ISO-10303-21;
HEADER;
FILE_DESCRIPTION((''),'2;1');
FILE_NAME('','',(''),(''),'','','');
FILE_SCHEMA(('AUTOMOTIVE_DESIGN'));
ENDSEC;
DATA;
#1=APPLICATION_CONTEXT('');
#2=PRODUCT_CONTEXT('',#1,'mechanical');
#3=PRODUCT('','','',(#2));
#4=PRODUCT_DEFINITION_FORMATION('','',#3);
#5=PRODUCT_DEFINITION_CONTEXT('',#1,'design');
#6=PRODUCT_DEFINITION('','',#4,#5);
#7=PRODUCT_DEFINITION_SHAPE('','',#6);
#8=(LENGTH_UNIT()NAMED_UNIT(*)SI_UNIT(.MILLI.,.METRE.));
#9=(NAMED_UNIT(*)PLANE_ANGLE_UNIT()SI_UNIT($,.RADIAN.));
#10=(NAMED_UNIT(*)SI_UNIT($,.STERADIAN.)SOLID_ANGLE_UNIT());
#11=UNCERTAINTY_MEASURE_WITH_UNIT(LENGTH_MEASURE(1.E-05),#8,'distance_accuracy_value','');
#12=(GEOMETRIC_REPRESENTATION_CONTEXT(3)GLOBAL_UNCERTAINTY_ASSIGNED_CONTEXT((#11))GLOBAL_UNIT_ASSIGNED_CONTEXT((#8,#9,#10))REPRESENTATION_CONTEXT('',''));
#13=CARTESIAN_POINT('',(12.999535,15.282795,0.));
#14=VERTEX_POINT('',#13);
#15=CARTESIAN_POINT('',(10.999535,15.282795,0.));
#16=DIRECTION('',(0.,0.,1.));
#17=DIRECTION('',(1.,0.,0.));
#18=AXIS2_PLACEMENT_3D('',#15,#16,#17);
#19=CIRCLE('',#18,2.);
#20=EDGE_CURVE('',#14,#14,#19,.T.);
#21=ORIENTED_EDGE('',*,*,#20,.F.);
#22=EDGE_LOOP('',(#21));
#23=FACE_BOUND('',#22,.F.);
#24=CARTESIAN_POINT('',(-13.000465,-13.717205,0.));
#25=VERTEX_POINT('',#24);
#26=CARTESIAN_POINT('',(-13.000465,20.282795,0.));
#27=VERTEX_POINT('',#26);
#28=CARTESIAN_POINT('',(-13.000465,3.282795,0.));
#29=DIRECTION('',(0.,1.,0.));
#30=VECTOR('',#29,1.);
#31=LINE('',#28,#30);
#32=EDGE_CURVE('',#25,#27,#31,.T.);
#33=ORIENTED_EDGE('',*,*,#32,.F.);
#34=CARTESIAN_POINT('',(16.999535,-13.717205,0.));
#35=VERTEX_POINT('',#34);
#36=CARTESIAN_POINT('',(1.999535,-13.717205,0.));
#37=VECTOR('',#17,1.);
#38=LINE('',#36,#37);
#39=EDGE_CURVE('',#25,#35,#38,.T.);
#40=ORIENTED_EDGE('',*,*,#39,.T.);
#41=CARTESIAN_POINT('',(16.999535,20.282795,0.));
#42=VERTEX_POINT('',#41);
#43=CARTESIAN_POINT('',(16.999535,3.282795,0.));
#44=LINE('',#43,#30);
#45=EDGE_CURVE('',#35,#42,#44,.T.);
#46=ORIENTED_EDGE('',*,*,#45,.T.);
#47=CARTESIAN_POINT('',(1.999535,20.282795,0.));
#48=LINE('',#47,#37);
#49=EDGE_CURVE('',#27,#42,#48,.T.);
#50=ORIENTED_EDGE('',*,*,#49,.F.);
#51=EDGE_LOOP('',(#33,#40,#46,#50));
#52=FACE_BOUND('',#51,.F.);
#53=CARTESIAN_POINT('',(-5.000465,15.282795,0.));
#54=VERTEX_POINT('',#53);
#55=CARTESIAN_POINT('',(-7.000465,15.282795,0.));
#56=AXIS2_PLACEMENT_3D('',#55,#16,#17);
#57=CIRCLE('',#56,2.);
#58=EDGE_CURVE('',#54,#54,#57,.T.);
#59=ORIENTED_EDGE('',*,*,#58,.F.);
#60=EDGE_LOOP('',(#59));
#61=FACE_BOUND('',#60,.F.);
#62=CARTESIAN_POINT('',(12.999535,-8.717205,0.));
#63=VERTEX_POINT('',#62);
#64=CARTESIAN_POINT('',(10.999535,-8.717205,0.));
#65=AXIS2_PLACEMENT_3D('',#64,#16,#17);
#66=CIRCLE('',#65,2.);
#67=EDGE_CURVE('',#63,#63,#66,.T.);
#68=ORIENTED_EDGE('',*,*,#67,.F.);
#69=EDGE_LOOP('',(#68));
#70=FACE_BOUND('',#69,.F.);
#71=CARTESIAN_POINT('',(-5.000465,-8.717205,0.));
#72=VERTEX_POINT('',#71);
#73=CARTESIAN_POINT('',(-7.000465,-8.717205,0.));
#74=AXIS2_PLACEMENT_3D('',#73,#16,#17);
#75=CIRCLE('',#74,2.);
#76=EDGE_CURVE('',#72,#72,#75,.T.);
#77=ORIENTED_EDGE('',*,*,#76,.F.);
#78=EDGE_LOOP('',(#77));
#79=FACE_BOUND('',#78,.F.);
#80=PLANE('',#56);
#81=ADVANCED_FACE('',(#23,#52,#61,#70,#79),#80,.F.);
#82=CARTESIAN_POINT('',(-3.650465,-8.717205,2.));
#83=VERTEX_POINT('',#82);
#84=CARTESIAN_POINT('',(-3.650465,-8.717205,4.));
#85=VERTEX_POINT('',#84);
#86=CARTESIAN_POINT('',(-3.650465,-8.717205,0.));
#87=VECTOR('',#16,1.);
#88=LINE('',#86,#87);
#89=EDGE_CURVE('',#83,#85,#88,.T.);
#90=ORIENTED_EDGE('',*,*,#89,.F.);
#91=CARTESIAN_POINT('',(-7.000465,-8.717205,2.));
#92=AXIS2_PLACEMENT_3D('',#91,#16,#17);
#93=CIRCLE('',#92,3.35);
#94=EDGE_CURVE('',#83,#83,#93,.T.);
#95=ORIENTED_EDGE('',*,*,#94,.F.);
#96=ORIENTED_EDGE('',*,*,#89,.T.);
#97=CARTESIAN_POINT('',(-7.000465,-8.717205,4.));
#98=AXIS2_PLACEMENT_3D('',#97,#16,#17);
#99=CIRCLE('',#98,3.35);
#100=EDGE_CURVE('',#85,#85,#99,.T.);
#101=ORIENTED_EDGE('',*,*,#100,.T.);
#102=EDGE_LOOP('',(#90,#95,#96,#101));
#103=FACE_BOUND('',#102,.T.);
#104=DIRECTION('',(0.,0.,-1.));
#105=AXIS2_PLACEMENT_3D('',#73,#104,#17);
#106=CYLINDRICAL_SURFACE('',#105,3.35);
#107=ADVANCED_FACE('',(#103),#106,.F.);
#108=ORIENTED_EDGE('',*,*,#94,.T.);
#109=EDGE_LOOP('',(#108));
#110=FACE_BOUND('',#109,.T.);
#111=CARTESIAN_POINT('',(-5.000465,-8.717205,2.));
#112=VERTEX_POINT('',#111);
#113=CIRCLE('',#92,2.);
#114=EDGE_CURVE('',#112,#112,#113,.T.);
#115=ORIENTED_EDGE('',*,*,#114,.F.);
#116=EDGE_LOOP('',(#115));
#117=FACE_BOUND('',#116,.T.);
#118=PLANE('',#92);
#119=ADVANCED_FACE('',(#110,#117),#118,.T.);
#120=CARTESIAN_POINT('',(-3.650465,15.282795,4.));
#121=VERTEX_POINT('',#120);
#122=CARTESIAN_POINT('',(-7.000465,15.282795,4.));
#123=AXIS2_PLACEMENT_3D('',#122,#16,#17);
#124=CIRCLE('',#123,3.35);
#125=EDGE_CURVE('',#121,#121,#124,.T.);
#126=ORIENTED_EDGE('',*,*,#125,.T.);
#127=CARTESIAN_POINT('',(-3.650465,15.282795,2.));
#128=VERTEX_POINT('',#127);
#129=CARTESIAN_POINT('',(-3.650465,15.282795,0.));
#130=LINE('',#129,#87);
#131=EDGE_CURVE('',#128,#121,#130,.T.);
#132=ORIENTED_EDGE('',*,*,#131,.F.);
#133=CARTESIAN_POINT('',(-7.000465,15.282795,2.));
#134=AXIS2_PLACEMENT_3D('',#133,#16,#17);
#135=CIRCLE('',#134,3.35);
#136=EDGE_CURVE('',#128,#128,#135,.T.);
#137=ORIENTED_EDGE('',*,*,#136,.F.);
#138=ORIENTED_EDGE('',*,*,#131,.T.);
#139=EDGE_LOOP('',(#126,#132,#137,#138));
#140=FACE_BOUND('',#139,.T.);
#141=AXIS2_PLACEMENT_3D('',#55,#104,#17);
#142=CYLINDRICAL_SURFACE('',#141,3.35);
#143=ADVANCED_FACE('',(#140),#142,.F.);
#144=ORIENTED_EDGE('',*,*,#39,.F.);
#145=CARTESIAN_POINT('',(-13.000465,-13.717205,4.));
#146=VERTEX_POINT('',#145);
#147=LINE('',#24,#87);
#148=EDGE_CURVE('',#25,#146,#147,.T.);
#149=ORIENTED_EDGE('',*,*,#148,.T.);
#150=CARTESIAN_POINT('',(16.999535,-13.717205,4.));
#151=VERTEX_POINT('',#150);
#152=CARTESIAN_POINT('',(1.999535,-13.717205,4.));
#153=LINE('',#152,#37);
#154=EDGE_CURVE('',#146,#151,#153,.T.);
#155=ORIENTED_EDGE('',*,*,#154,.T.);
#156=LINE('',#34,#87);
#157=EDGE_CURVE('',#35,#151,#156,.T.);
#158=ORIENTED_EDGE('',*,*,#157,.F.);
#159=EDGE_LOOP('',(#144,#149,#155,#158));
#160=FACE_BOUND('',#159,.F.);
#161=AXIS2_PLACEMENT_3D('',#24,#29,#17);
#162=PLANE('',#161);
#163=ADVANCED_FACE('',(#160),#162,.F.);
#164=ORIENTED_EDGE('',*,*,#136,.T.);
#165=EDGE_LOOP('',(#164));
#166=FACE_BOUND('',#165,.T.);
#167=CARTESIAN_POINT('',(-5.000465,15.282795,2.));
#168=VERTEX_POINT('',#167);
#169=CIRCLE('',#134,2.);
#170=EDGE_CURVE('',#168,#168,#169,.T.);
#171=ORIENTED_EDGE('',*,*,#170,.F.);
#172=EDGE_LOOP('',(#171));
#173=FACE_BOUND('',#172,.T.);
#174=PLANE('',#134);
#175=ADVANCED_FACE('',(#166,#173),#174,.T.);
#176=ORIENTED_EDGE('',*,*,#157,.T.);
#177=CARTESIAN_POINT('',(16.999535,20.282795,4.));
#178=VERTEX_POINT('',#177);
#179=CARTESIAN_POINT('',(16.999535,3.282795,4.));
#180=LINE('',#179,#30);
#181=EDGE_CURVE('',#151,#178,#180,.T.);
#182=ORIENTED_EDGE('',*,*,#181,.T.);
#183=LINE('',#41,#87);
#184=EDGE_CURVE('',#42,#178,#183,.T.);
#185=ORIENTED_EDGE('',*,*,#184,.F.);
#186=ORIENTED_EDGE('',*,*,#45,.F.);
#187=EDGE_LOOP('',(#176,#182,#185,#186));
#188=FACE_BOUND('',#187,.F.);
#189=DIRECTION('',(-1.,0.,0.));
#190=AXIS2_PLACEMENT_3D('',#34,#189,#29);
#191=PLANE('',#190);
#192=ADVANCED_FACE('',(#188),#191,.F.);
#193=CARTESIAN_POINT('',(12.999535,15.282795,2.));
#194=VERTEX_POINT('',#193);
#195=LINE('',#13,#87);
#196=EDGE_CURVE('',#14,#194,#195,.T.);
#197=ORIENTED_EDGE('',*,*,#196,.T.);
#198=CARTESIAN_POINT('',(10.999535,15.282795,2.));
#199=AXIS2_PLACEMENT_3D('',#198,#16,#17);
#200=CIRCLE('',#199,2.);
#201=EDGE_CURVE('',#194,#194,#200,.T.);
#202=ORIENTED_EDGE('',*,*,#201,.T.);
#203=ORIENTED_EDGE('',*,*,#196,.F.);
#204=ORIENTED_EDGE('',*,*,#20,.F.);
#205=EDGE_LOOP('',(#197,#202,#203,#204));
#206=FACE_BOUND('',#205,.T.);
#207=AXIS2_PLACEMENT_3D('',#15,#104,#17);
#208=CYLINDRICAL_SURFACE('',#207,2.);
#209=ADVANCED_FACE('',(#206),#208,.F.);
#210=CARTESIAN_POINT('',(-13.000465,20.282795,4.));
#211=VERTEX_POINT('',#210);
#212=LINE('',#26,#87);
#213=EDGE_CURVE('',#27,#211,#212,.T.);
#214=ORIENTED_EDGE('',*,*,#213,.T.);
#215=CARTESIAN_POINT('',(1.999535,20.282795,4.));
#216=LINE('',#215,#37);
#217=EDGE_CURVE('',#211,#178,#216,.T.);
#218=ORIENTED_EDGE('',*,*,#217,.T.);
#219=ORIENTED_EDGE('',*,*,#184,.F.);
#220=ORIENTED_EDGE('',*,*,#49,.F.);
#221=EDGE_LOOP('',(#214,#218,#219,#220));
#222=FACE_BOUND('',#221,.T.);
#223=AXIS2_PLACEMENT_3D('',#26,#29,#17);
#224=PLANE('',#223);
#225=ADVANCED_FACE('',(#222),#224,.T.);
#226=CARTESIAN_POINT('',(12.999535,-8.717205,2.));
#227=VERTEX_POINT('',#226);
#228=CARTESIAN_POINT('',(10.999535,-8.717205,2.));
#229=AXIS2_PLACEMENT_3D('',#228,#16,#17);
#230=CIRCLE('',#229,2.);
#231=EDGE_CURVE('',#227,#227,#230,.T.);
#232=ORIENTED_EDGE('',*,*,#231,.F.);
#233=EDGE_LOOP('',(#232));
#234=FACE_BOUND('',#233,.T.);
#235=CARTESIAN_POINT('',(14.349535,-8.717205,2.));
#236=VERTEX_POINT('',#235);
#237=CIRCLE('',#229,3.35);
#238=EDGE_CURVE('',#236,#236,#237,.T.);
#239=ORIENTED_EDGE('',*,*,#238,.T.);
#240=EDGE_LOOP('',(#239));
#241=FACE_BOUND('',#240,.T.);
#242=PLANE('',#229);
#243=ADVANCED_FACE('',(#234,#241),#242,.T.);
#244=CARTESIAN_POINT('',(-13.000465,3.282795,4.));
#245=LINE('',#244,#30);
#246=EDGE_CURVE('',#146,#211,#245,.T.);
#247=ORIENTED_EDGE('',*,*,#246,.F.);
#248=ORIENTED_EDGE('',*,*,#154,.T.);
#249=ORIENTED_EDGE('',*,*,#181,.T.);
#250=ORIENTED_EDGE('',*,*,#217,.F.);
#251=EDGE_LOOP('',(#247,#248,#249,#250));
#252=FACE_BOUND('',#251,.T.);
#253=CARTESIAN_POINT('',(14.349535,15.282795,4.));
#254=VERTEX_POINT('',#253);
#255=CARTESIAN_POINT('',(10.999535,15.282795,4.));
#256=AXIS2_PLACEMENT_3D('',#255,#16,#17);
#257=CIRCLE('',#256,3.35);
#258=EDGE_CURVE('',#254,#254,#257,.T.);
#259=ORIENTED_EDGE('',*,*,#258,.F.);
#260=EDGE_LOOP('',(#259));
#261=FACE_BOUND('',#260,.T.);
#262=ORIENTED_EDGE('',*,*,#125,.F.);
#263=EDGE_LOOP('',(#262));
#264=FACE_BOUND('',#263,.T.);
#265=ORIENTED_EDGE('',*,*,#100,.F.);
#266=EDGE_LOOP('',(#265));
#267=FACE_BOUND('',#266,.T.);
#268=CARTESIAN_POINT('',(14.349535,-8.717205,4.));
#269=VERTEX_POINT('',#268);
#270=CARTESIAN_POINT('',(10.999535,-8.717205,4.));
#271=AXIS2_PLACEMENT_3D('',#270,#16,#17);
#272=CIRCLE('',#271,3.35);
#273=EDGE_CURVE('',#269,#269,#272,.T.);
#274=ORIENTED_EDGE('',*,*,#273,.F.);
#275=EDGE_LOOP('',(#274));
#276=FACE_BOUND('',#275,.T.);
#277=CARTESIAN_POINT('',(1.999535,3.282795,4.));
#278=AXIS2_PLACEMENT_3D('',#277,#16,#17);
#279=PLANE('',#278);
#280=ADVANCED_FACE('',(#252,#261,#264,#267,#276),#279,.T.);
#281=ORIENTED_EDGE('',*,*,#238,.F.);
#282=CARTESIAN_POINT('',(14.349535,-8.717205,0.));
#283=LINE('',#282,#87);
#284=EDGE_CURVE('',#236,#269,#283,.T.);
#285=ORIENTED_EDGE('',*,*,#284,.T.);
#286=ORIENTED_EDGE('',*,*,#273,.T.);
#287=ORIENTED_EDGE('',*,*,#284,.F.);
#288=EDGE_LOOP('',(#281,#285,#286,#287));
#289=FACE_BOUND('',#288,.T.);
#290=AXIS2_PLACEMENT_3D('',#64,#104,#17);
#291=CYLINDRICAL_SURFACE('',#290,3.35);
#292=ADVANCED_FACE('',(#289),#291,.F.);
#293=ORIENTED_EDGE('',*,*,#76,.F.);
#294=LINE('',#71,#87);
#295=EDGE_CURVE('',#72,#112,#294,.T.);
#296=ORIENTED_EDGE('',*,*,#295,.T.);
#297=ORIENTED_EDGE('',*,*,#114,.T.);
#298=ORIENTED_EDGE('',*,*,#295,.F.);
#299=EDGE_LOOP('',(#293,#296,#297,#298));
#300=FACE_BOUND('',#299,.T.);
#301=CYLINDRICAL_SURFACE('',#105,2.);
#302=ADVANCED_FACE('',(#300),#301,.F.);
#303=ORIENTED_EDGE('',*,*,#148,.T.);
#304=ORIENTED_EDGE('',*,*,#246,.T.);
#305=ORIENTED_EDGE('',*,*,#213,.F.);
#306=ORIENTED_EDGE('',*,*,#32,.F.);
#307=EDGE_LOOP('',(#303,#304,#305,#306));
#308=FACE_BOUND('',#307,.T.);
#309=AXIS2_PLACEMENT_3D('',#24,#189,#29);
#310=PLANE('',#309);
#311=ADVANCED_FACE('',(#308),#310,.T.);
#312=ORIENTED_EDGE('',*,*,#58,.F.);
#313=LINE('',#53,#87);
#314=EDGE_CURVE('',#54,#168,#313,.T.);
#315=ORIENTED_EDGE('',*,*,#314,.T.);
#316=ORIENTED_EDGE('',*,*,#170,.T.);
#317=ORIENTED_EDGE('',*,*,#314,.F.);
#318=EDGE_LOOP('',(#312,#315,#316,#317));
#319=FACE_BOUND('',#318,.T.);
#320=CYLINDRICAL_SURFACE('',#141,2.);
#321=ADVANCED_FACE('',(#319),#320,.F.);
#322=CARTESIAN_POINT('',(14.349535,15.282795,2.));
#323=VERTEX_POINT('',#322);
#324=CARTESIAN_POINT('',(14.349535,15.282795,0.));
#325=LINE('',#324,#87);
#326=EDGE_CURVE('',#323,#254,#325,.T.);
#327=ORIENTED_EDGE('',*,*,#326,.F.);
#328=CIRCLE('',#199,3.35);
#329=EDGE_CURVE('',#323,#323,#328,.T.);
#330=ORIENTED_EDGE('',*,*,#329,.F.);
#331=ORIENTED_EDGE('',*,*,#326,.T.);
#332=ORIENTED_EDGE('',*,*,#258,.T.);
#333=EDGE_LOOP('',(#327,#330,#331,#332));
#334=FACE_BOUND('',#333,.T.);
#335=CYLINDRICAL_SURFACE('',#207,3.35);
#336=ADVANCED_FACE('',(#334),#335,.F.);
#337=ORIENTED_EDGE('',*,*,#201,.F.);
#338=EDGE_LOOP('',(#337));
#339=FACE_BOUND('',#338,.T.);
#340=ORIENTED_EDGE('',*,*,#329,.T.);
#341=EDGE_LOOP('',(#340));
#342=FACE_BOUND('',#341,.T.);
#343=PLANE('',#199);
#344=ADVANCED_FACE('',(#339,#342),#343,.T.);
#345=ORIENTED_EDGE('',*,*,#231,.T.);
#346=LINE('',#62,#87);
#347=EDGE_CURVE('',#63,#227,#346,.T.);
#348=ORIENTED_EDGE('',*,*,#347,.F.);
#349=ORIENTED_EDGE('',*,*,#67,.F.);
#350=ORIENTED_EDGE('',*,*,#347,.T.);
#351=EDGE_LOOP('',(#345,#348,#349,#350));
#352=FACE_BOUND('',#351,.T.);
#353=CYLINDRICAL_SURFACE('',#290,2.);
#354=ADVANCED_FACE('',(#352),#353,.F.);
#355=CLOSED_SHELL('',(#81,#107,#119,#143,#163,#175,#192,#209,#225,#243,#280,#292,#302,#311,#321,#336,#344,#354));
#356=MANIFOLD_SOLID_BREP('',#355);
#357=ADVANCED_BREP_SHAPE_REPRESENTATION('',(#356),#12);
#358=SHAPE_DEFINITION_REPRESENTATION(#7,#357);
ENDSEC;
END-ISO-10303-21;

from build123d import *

# Parameters (mm, degrees)
F0_W     = 30
F0_H     = 34
F0_R     = 3.35
F1_DEPTH = 4
F0_R_2   = 2
F2_DEPTH = 2


with BuildPart() as f1:
    # F0 (on Top) → F1 (new body)
    with BuildSketch(Plane.XY):
        with Locations((1.999535, 3.282795)):
            Rectangle(F0_W, F0_H)
        with Locations((-7.000465, -8.717205)):
            Circle(F0_R, mode=Mode.SUBTRACT)
        with Locations((10.999535, -8.717205)):
            Circle(F0_R, mode=Mode.SUBTRACT)
        with Locations((-7.000465, 15.282795)):
            Circle(F0_R, mode=Mode.SUBTRACT)
        with Locations((10.999535, 15.282795)):
            Circle(F0_R, mode=Mode.SUBTRACT)
    extrude(amount=F1_DEPTH)

    # F0 (on Top) → F2 (join)
    with BuildSketch(Plane.XY):
        with Locations((-7.000465, 15.282795)):
            Circle(F0_R)
        with Locations((-7.000465, 15.282795)):
            Circle(F0_R_2, mode=Mode.SUBTRACT)
        with Locations((10.999535, 15.282795)):
            Circle(F0_R)
        with Locations((10.999535, 15.282795)):
            Circle(F0_R_2, mode=Mode.SUBTRACT)
        with Locations((10.999535, -8.717205)):
            Circle(F0_R)
        with Locations((10.999535, -8.717205)):
            Circle(F0_R_2, mode=Mode.SUBTRACT)
        with Locations((-7.000465, -8.717205)):
            Circle(F0_R)
        with Locations((-7.000465, -8.717205)):
            Circle(F0_R_2, mode=Mode.SUBTRACT)
    extrude(amount=F2_DEPTH)


solid = f1.part
